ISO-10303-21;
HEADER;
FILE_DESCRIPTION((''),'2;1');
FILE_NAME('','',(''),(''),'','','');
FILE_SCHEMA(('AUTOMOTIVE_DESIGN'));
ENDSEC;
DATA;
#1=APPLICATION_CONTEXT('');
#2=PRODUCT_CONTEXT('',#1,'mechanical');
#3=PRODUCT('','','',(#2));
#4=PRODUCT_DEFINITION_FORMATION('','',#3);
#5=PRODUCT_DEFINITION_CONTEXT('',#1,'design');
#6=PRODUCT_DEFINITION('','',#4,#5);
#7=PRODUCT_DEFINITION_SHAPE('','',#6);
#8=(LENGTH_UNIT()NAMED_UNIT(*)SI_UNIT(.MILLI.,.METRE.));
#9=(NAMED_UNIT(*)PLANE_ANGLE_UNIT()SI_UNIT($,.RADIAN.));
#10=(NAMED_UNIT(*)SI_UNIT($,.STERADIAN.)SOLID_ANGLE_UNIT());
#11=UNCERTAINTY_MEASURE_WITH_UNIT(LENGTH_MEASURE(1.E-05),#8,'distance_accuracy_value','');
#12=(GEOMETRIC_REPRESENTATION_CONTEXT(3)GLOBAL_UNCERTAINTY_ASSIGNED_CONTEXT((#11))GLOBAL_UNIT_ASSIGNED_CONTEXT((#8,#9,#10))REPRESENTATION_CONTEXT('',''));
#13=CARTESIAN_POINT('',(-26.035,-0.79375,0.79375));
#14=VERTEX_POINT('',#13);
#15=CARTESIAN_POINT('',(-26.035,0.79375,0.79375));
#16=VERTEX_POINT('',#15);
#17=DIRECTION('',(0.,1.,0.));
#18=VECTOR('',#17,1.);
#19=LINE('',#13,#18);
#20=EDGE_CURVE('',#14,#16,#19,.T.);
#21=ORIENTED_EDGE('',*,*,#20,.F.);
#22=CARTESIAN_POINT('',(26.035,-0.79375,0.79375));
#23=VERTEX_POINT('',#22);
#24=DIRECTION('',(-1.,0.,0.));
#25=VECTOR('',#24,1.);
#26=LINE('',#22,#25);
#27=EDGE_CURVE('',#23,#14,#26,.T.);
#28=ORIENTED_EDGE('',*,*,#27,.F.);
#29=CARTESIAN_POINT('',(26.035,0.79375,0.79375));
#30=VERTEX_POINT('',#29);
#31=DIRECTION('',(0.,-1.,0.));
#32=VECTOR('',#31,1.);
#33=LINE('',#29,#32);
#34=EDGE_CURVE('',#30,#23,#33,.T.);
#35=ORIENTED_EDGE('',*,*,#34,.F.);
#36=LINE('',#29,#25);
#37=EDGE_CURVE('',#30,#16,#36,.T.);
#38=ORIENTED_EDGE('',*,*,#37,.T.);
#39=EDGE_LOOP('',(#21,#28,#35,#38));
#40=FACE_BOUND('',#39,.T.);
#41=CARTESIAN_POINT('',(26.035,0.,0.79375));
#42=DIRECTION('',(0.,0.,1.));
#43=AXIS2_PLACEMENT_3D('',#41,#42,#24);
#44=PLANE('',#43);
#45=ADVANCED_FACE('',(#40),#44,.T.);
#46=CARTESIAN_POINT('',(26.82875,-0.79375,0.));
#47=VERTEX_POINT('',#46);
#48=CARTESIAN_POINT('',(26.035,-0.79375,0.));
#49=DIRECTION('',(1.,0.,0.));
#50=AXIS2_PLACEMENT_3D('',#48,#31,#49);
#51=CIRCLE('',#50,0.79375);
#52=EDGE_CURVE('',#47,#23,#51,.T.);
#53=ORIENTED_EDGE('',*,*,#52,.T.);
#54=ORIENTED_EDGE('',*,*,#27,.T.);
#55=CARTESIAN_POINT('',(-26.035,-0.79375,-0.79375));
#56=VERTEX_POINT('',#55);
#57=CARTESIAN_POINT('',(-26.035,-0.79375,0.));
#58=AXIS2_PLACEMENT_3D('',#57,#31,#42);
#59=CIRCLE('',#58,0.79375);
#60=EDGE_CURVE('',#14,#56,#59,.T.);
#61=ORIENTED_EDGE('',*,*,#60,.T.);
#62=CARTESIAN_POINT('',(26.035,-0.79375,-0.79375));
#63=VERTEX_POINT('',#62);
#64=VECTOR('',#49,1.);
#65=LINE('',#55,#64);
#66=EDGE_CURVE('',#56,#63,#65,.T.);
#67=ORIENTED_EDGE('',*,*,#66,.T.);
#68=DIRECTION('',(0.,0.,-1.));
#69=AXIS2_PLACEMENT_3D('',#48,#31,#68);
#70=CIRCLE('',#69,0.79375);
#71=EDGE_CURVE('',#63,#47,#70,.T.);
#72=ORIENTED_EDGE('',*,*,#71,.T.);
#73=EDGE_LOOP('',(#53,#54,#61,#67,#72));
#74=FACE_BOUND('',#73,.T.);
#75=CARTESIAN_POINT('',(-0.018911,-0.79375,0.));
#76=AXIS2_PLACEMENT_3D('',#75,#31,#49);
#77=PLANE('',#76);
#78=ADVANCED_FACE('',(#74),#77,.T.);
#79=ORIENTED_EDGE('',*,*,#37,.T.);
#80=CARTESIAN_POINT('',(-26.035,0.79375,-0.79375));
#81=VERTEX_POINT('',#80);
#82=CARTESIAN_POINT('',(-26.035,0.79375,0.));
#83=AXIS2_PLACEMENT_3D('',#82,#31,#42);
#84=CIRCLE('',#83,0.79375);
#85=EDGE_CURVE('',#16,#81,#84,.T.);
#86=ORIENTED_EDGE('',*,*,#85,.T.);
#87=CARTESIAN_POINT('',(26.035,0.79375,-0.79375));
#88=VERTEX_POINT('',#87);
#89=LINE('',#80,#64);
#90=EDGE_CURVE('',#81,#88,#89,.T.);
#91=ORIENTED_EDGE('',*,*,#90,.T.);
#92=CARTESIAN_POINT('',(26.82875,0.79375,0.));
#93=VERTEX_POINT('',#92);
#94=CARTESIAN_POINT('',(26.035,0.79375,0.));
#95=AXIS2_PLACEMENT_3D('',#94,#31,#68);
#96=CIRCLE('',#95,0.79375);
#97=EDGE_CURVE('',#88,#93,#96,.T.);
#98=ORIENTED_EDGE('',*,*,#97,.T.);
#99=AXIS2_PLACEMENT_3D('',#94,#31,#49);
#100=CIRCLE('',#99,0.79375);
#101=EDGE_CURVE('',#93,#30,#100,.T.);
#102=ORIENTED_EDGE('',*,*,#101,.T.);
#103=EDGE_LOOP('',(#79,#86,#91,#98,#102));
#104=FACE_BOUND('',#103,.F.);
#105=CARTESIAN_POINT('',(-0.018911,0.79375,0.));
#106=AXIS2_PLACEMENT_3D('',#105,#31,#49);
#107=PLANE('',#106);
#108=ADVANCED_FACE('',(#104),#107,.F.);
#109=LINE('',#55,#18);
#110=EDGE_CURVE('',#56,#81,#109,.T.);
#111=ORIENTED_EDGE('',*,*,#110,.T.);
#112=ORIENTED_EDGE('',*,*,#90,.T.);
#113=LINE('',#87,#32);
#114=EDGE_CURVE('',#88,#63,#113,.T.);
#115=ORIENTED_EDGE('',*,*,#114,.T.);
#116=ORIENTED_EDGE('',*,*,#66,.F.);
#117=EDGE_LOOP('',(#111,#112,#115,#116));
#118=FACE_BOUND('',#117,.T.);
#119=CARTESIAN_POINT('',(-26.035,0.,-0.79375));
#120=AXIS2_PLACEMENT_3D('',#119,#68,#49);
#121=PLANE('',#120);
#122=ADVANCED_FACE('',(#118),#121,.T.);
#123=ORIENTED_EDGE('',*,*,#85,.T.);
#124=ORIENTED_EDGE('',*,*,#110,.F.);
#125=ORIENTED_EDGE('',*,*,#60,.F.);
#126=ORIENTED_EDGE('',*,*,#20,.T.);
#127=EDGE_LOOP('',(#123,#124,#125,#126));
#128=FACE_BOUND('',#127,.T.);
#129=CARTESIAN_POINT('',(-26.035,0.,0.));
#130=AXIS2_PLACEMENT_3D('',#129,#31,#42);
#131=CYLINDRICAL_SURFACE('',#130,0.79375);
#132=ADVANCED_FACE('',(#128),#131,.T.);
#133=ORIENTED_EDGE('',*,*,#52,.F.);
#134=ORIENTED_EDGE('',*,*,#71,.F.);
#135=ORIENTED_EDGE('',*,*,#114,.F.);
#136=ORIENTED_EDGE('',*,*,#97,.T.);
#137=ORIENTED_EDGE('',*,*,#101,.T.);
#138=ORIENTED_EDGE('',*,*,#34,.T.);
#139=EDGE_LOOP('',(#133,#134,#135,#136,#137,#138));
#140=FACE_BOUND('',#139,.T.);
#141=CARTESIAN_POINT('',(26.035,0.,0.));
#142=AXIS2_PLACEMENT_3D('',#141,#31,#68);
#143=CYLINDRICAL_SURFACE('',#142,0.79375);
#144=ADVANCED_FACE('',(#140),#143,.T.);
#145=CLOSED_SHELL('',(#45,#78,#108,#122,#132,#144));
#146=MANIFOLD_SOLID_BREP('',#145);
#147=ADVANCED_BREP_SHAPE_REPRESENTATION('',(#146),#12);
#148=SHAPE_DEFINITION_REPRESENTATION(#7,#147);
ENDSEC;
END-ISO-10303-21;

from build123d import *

# Parameters (mm, degrees)
F1_DEPTH = 0.79375


with BuildPart() as f1:
    # F0 (on Front) → F1 (new body, symmetric)
    with BuildSketch(Plane.XZ):
        with BuildLine():
            Line((-26.035, -0.79375), (26.035, -0.79375))
            ThreePointArc((26.035, -0.79375), (25.24125, 0), (26.035, 0.79375))
            Line((26.035, 0.79375), (-26.035, 0.79375))
            ThreePointArc((-26.035, 0.79375), (-25.4737339924, 0.5612660076), (-25.24125, 0))
            ThreePointArc((-25.24125, 0), (-25.4737339924, -0.5612660076), (-26.035, -0.79375))
        make_face()
        with BuildLine():
            Line((-26.035, 0.79375), (-26.035, -0.79375))
            ThreePointArc((-26.035, -0.79375), (-25.4737339924, -0.5612660076), (-25.24125, 0))
            ThreePointArc((-25.24125, 0), (-25.4737339924, 0.5612660076), (-26.035, 0.79375))
        make_face()
        with BuildLine():
            ThreePointArc((-26.035, 0.79375), (-26.82875, 0), (-26.035, -0.79375))
            Line((-26.035, -0.79375), (-26.035, 0.79375))
        make_face()
        with BuildLine():
            ThreePointArc((26.035, 0.79375), (25.24125, 0), (26.035, -0.79375))
            Line((26.035, -0.79375), (26.035, 0.79375))
        make_face()
        with BuildLine():
            Line((26.035, 0.79375), (26.035, -0.79375))
            ThreePointArc((26.035, -0.79375), (26.5962660076, -0.5612660076), (26.82875, 0))
            ThreePointArc((26.82875, 0), (26.5962660076, 0.5612660076), (26.035, 0.79375))
        make_face()
    extrude(amount=F1_DEPTH, both=True)


solid = f1.part
